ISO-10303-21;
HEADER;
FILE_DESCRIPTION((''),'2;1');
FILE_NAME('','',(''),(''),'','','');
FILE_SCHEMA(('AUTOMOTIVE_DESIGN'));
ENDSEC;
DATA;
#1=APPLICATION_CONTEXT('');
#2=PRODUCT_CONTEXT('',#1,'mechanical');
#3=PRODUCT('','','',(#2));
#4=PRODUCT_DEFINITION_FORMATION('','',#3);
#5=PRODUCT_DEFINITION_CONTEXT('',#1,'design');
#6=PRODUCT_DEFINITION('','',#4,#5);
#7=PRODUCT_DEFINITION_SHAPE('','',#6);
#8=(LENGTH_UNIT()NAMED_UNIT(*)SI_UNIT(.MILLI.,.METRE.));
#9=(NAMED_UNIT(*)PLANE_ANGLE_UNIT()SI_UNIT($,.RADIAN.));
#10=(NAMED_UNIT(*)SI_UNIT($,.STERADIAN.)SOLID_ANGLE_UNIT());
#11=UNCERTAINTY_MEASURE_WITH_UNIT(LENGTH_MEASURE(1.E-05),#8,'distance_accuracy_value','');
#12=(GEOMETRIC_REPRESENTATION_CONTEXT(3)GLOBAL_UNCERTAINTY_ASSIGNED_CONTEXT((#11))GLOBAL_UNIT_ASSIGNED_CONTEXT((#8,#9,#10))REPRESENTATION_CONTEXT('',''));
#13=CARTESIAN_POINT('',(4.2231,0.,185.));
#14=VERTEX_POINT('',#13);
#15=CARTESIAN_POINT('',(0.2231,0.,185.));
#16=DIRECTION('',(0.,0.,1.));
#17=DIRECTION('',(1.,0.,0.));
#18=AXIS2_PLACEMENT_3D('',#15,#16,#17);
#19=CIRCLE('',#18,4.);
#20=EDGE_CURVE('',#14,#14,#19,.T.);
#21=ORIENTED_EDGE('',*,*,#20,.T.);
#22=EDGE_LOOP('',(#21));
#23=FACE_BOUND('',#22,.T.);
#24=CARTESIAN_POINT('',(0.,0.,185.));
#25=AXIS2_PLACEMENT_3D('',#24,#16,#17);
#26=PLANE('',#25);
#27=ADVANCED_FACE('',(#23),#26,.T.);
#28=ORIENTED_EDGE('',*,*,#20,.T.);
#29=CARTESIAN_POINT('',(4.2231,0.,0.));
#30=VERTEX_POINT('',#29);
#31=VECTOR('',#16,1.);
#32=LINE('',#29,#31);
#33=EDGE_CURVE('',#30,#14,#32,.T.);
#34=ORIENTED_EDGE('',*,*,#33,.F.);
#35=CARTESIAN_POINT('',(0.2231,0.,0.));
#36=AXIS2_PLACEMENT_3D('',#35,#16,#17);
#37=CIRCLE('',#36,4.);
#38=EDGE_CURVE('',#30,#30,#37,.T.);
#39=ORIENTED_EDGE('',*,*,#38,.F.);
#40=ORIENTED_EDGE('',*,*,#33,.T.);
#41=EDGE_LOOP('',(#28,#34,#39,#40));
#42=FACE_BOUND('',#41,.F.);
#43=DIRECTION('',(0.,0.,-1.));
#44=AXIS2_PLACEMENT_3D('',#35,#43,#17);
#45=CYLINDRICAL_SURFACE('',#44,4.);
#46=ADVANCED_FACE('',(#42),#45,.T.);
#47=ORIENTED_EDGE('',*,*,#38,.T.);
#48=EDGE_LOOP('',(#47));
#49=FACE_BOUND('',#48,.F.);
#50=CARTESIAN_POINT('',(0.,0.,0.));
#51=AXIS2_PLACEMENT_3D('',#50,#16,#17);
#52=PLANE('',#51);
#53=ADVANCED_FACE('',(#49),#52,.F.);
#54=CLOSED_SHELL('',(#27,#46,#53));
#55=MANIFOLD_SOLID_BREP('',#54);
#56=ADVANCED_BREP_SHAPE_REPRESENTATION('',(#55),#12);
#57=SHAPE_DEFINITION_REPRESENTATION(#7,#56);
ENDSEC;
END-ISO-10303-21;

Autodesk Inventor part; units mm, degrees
ref_plane "YZ Plane" through (0, 0, 0) normal (1, 0, 0) x (0, 1, 0)
ref_plane "XZ Plane" through (0, 0, 0) normal (0, 1, 0) x (-1, 0, 0)
ref_plane "XY Plane" through (0, 0, 0) normal (0, 0, 1) x (1, 0, 0)
sketch "Sketch1" plane through (0, 0, 0) normal (0, 0, 1) x (1, 0, 0)
  circle A0 centre (0.2231, 0) radius 4
  point P0 (0, 0)
  dimension "d0" = 8
extrude "Extrusion1" add sketch "Sketch1" along normal blind 185
thread "Thread1" size "TR8x1.5" class "7e" standard "ISO Metric Trapezoidal Threads" full length
properties part number "0008-10-1003 T8 screw" material "Steel"
